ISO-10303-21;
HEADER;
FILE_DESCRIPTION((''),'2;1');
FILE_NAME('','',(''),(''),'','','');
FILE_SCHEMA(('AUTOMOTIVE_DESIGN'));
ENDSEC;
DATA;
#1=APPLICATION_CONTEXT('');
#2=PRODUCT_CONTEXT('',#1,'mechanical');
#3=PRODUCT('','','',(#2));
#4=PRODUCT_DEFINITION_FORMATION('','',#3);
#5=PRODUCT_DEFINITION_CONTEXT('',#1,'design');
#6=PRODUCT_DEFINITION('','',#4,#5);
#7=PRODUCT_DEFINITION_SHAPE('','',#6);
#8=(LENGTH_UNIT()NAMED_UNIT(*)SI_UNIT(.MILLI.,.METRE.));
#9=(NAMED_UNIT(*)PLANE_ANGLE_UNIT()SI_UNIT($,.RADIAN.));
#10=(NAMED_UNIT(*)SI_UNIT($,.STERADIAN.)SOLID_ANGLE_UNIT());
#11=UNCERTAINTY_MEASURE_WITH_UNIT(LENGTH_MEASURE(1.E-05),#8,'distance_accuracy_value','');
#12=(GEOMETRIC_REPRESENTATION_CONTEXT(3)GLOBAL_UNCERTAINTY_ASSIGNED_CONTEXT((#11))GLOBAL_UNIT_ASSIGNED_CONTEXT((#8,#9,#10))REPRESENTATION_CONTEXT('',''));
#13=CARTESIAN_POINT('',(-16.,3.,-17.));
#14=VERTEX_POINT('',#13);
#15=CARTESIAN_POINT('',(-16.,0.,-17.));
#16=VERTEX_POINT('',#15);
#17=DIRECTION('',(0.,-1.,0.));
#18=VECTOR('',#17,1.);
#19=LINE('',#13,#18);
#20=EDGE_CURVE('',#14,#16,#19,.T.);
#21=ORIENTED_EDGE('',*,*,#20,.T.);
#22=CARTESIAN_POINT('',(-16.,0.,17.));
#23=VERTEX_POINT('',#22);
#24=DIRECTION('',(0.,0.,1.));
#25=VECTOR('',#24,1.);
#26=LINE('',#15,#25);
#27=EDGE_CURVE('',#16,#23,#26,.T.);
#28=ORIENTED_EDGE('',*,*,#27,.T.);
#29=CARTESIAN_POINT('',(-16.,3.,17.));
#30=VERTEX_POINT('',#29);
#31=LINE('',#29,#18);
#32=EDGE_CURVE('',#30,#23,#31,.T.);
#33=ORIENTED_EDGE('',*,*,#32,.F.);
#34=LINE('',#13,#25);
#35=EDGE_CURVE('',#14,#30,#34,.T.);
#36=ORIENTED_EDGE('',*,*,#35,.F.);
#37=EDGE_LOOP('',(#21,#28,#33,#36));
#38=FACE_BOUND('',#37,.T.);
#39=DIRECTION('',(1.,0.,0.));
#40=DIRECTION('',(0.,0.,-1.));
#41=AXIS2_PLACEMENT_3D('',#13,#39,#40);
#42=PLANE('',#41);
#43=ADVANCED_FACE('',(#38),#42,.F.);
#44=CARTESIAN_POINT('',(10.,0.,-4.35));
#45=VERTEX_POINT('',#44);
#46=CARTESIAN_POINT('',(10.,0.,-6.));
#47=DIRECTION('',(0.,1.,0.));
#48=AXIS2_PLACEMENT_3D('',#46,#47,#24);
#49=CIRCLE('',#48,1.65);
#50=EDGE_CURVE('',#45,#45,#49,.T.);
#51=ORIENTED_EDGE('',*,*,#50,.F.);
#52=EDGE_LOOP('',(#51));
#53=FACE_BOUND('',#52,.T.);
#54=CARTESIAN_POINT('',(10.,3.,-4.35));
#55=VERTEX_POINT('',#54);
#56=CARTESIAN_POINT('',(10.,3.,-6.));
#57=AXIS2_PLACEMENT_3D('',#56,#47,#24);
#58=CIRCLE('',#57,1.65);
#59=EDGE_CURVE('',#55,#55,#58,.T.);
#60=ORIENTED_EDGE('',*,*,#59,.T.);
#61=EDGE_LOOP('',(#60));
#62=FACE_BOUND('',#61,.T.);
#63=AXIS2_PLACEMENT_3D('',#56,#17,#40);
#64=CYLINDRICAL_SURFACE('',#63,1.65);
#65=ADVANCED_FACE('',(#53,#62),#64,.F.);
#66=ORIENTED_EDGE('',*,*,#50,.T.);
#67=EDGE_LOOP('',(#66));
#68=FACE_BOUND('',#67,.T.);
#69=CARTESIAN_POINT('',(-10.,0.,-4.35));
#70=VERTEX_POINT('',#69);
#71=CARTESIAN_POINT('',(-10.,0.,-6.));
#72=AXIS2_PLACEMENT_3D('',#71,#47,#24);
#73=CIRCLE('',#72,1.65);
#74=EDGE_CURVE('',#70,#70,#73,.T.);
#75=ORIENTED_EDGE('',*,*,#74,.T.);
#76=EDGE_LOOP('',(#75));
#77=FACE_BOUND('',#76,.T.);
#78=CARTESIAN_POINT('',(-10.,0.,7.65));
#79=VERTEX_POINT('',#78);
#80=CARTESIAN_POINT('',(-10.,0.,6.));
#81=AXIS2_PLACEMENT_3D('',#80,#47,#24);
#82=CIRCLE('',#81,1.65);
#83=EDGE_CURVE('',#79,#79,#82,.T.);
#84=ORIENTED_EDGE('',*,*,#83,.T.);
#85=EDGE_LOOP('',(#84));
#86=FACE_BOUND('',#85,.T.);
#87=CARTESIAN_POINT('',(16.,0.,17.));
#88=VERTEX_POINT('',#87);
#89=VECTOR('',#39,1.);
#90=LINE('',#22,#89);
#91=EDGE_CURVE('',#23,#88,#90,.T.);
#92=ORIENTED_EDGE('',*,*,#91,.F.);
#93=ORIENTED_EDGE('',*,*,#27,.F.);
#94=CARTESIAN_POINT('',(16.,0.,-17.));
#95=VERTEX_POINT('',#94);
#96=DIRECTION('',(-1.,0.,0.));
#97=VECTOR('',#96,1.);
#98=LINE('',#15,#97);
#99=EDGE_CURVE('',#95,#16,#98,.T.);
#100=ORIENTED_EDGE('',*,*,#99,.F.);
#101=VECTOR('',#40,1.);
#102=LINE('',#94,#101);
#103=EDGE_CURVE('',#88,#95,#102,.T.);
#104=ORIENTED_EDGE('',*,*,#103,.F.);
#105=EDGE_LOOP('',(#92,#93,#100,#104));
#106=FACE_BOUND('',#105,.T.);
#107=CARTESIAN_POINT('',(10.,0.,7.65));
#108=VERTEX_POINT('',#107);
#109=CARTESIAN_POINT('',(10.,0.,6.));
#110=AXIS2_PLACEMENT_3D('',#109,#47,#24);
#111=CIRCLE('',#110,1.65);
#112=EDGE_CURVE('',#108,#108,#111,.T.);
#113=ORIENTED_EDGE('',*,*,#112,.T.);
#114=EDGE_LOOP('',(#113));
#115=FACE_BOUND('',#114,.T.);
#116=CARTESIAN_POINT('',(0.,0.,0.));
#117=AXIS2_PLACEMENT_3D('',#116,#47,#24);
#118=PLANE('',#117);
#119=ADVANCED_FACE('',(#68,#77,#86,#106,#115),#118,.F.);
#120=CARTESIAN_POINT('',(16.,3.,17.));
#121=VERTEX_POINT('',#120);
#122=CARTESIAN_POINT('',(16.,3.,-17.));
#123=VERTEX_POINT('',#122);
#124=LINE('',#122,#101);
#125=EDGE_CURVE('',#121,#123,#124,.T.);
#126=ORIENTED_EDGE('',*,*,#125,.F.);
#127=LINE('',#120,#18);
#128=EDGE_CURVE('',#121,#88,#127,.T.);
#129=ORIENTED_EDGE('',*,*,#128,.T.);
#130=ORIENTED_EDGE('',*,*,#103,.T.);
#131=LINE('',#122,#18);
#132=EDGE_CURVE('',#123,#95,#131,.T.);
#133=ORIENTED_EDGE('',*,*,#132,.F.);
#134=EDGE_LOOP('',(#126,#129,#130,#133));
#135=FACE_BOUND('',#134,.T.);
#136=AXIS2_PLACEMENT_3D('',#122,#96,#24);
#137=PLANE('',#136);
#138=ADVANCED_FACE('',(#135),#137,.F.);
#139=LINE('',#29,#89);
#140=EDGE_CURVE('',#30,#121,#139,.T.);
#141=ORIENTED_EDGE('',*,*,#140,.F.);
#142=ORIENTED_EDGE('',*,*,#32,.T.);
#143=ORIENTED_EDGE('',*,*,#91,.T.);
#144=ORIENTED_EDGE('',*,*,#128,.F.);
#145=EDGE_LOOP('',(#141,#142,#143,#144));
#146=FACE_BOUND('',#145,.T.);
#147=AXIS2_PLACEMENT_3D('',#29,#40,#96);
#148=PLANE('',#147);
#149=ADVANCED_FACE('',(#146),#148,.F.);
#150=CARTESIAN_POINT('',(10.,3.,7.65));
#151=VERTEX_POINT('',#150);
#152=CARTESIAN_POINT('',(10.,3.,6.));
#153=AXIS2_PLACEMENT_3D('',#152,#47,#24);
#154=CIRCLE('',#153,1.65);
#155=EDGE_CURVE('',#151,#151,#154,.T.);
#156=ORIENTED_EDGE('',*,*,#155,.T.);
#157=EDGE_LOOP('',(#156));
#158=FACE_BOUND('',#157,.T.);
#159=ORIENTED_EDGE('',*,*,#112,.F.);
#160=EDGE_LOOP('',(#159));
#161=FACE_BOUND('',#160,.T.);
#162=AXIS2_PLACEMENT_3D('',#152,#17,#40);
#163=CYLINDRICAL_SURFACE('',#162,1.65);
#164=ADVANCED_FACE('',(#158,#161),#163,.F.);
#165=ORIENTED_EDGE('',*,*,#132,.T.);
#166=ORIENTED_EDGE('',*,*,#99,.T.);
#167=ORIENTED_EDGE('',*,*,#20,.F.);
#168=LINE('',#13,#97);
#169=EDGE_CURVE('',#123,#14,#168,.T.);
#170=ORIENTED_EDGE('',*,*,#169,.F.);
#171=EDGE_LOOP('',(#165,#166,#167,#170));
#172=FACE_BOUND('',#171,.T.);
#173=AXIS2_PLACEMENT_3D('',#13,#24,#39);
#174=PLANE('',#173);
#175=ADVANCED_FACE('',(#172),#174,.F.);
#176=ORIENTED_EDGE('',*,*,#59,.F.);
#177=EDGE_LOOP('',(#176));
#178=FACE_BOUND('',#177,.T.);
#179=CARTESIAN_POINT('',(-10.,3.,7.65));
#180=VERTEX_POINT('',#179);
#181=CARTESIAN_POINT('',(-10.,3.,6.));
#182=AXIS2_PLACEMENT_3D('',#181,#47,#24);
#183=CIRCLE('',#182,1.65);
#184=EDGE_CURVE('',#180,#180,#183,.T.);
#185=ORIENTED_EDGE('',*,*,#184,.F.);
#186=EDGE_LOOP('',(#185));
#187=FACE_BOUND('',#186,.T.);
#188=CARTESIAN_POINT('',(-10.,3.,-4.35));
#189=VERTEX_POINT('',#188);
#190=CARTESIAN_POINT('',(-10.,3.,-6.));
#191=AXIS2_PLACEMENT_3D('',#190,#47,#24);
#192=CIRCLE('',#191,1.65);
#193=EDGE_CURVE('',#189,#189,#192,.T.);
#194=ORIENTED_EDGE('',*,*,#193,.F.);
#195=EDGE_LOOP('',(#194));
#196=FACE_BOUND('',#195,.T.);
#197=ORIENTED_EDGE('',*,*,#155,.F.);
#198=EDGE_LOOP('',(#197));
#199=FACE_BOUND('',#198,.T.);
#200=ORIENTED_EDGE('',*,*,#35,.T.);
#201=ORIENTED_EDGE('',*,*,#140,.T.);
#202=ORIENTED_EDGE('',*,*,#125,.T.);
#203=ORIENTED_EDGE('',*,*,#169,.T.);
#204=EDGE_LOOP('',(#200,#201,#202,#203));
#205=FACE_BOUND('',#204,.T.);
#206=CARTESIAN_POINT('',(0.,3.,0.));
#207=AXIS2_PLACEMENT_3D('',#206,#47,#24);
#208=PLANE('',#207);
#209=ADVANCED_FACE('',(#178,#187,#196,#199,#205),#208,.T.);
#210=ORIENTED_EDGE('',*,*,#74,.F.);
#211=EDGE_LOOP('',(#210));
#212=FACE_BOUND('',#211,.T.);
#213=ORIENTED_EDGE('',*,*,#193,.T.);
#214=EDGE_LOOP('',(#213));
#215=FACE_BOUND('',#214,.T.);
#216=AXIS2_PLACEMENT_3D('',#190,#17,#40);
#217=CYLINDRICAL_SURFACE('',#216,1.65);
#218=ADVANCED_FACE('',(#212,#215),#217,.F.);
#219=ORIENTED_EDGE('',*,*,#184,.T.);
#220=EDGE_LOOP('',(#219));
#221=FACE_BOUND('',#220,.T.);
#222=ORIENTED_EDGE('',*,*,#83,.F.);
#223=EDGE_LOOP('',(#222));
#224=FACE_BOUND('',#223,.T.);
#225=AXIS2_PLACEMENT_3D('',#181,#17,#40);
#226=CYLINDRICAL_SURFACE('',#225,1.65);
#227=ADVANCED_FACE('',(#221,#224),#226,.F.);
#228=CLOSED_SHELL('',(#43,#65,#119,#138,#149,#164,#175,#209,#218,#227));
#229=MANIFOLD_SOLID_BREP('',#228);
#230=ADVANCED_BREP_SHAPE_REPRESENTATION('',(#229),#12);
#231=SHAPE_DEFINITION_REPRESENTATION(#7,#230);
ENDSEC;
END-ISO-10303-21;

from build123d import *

# Parameters (mm, degrees)
SKETCH1_W           = 32
SKETCH1_H           = 34
SKETCH1_R           = 1.65
BOSS_EXTRUDE1_DEPTH = 3


with BuildPart() as part:
    # Sketch1 → Boss-Extrude1 (new body)
    with BuildSketch(Plane(origin=(0, 0, 0), x_dir=(1, 0, 0), z_dir=(0, 1, 0))):
        Rectangle(SKETCH1_W, SKETCH1_H)
        with Locations((-10, 6)):
            Circle(SKETCH1_R, mode=Mode.SUBTRACT)
        with Locations((10, 6)):
            Circle(SKETCH1_R, mode=Mode.SUBTRACT)
        with Locations((-10, -6)):
            Circle(SKETCH1_R, mode=Mode.SUBTRACT)
        with Locations((10, -6)):
            Circle(SKETCH1_R, mode=Mode.SUBTRACT)
    extrude(amount=BOSS_EXTRUDE1_DEPTH)


solid = part.part
